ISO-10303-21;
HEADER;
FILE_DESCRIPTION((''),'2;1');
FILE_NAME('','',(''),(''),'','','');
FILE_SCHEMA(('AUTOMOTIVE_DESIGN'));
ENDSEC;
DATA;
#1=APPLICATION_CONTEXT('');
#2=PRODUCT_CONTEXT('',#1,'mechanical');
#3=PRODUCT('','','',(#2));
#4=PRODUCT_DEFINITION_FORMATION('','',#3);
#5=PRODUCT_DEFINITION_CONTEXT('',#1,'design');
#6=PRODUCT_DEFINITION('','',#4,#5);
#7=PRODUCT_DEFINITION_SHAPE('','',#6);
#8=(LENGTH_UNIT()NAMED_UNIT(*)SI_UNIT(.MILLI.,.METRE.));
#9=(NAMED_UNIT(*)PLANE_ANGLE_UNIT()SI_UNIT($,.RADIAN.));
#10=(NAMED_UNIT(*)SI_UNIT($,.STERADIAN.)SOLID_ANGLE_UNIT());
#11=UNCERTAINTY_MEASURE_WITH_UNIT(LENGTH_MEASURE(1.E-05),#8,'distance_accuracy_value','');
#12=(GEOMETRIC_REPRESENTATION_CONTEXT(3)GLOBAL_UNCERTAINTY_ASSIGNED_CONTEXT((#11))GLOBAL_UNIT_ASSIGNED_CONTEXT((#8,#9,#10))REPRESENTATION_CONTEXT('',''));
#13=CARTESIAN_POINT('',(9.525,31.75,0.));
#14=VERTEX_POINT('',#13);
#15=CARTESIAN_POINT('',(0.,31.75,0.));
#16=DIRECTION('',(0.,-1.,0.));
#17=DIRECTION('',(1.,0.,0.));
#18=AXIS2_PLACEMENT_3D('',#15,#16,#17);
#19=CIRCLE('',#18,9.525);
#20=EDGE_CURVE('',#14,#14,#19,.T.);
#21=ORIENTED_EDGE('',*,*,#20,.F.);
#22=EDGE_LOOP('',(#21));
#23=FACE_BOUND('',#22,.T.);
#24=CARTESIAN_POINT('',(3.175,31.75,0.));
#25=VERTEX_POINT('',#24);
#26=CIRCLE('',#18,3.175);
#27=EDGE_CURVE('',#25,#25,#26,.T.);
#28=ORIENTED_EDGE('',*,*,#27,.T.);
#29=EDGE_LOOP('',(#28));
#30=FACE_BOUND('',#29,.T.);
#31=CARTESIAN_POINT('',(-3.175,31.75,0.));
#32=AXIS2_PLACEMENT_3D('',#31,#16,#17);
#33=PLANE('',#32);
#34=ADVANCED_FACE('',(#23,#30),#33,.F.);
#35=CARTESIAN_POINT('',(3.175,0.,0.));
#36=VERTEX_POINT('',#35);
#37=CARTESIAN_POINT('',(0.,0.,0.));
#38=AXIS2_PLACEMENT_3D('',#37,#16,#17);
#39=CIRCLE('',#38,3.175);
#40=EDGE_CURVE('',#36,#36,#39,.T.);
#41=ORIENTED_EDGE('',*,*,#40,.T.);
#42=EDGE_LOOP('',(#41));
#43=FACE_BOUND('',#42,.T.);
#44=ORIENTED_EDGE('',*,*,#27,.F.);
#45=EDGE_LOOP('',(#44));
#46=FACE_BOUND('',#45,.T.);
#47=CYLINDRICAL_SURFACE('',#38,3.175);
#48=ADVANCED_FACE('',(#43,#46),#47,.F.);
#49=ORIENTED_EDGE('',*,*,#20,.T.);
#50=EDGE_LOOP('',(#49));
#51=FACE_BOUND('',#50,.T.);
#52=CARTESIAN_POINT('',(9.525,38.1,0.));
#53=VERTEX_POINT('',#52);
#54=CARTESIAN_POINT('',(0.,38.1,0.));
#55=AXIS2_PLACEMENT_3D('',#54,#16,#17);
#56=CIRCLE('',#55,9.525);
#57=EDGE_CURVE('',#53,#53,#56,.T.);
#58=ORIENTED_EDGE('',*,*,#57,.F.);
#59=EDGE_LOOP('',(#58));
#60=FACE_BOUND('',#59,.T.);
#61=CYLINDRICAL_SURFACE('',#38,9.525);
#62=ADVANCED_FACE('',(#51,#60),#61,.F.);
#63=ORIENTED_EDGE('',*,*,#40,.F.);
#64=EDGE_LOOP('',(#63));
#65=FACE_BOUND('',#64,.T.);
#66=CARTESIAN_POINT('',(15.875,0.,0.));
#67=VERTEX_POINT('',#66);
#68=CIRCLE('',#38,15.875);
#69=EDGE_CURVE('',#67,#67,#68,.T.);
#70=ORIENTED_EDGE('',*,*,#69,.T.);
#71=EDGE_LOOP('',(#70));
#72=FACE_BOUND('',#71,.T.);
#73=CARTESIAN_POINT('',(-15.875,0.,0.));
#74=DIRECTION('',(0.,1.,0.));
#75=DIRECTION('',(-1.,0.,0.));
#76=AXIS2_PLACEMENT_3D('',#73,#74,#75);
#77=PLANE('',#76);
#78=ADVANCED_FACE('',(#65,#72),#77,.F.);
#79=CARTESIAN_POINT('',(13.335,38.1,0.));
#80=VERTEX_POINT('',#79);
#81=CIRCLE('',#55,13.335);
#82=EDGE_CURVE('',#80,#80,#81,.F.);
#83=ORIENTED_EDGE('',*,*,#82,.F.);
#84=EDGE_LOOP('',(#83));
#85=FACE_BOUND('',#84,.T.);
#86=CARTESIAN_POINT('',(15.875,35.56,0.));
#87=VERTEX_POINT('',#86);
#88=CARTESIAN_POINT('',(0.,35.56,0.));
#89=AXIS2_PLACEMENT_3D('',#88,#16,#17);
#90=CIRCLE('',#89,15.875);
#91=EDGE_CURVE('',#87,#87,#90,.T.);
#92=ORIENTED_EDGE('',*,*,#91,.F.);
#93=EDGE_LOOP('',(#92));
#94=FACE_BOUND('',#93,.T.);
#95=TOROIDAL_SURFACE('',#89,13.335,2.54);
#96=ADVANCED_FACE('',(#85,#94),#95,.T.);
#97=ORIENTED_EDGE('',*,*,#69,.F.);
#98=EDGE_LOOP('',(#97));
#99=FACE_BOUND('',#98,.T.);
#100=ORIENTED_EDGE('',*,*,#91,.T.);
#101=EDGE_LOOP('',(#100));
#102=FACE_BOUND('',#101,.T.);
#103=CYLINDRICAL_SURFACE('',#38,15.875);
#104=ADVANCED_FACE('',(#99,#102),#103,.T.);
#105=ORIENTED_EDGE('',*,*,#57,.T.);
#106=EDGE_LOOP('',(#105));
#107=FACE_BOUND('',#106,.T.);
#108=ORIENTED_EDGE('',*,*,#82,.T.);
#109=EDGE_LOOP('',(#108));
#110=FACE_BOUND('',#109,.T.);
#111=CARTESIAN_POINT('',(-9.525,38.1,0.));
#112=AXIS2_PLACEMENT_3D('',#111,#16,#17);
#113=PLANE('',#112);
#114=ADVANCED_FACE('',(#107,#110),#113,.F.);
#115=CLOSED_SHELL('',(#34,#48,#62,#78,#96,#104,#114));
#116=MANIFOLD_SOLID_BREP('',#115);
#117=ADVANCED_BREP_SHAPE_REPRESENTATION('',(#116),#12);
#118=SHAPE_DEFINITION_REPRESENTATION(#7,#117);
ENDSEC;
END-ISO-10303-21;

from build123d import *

# Parameters (mm, degrees)
FILLET1_R = 2.54


with BuildPart() as part:
    # Sketch1 → Revolve1 (revolve)
    with BuildSketch(Plane.XY, mode=Mode.PRIVATE) as revolve1_sk:
        Polygon((-3.175, 31.75), (-9.525, 31.75), (-9.525, 38.1), (-15.875, 38.1), (-15.875, 0), (-3.175, 0), align=None)
    revolve(revolve1_sk.sketch.rotate(Axis((0, 0, 0), (0, 1, 0)), 180), axis=Axis((0, 0, 0), (0, 1, 0)))

    # Fillet1
    fillet1_edges = [part.edges().sort_by_distance(p)[0] for p in [
        (-15.875, 38.1, 0),
    ]]
    fillet(fillet1_edges, radius=FILLET1_R)


solid = part.part
